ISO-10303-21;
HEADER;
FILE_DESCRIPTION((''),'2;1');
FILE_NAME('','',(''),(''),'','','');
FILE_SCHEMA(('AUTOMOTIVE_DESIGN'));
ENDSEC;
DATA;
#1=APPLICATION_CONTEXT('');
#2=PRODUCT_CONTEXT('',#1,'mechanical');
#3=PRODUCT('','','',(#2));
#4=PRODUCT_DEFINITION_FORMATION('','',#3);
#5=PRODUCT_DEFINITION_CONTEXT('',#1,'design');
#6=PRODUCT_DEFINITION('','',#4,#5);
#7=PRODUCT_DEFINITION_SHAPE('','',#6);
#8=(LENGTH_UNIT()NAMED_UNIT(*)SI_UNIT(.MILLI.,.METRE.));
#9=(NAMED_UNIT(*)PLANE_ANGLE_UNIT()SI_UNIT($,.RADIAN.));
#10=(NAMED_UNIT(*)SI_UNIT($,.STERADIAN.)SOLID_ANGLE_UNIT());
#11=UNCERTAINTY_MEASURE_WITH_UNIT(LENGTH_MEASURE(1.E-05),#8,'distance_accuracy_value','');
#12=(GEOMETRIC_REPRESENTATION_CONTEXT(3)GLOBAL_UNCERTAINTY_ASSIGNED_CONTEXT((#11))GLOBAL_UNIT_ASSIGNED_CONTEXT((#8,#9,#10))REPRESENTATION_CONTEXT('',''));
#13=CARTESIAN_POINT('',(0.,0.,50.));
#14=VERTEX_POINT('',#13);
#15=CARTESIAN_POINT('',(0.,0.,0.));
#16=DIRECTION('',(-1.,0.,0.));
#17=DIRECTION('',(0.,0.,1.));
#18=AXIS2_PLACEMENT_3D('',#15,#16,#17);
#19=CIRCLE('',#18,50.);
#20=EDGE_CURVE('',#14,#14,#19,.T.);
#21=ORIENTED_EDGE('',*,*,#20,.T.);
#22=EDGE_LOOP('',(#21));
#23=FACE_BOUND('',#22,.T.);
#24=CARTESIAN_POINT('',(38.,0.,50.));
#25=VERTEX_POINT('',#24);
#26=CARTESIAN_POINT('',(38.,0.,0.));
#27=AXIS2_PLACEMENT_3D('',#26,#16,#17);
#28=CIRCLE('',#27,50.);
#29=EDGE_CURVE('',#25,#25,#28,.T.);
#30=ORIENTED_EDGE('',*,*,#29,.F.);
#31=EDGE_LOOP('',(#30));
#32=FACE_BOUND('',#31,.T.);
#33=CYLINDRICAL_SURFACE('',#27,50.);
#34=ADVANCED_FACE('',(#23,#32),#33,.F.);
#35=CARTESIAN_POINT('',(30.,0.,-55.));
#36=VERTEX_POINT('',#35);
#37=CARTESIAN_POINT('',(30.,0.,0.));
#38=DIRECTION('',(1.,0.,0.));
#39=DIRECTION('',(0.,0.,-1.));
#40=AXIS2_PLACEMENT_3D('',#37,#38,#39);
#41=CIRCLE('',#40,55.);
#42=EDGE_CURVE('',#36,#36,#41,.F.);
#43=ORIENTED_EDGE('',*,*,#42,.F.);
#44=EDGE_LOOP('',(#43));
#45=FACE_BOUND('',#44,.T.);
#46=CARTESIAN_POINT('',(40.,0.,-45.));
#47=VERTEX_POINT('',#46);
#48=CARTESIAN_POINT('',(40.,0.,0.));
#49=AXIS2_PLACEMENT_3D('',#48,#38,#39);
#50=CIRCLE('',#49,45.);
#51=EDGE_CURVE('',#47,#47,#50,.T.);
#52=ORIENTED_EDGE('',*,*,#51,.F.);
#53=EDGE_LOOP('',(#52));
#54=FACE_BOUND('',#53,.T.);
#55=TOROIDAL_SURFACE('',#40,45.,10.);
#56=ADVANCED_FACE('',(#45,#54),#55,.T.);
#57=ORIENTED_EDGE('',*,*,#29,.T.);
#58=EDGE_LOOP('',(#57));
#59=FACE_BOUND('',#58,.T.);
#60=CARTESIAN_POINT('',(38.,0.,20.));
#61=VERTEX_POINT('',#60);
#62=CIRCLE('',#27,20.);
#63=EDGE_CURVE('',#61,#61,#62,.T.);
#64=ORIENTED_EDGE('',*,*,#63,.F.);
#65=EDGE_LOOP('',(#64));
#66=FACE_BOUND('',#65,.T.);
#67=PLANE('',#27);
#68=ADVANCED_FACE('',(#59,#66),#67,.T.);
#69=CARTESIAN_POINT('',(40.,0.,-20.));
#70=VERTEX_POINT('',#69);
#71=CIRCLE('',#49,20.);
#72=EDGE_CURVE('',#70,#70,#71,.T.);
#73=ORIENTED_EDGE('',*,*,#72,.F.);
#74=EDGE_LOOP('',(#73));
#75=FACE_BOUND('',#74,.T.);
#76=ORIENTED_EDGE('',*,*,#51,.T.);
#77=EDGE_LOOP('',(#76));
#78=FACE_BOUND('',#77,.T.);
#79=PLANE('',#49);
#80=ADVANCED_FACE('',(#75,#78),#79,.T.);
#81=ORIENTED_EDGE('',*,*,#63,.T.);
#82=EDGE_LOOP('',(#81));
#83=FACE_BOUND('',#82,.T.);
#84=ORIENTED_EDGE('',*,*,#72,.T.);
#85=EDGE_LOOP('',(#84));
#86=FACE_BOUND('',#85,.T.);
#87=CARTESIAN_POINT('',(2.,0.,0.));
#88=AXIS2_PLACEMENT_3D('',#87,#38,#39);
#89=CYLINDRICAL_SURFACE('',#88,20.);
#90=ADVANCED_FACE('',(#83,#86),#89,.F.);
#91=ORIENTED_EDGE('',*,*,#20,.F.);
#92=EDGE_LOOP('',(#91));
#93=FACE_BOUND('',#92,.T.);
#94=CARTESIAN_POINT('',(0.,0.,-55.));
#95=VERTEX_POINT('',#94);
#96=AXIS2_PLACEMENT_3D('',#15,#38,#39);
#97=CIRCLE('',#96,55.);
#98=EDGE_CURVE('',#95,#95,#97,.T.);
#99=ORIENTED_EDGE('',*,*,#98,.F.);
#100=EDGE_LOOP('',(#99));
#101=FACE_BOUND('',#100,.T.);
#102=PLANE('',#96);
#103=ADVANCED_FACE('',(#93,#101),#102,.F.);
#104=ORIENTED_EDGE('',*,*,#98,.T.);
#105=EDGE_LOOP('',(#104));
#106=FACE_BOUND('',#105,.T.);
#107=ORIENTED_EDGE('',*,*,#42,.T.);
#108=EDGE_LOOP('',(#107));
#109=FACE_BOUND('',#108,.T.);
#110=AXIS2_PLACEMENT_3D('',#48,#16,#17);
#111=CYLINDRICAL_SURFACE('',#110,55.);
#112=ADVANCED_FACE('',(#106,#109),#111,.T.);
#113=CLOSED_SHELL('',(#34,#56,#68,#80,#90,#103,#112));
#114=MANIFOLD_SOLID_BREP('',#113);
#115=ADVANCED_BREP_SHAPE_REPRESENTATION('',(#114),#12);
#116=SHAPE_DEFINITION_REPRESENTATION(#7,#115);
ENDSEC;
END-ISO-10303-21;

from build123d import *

# Parameters (mm, degrees)
SKETCH1_R           = 55
BOSS_EXTRUDE1_DEPTH = 40
SKETCH2_R           = 50
CUT_EXTRUDE1_DEPTH  = 38
SKETCH3_R           = 20
CUT_EXTRUDE2_DEPTH  = 38
FILLET1_R           = 10


with BuildPart() as part:
    # Sketch1 → Boss-Extrude1 (new body)
    with BuildSketch(Plane(origin=(0, 0, 0), x_dir=(0, 0, -1), z_dir=(1, 0, 0))):
        Circle(SKETCH1_R)
    extrude(amount=BOSS_EXTRUDE1_DEPTH)

    # Sketch2 → Cut-Extrude1 (cut)
    with BuildSketch(Plane.ZY):
        Circle(SKETCH2_R)
    extrude(amount=-CUT_EXTRUDE1_DEPTH, mode=Mode.SUBTRACT)

    # Sketch3 → Cut-Extrude2 (cut)
    with BuildSketch(Plane(origin=(40, 0, 0), x_dir=(0, 0, -1), z_dir=(1, 0, 0))):
        Circle(SKETCH3_R)
    extrude(amount=-CUT_EXTRUDE2_DEPTH, mode=Mode.SUBTRACT)

    # Fillet1
    fillet1_edges = [part.edges().sort_by_distance(p)[0] for p in [
        (40, 0, 55),
    ]]
    fillet(fillet1_edges, radius=FILLET1_R)


solid = part.part
